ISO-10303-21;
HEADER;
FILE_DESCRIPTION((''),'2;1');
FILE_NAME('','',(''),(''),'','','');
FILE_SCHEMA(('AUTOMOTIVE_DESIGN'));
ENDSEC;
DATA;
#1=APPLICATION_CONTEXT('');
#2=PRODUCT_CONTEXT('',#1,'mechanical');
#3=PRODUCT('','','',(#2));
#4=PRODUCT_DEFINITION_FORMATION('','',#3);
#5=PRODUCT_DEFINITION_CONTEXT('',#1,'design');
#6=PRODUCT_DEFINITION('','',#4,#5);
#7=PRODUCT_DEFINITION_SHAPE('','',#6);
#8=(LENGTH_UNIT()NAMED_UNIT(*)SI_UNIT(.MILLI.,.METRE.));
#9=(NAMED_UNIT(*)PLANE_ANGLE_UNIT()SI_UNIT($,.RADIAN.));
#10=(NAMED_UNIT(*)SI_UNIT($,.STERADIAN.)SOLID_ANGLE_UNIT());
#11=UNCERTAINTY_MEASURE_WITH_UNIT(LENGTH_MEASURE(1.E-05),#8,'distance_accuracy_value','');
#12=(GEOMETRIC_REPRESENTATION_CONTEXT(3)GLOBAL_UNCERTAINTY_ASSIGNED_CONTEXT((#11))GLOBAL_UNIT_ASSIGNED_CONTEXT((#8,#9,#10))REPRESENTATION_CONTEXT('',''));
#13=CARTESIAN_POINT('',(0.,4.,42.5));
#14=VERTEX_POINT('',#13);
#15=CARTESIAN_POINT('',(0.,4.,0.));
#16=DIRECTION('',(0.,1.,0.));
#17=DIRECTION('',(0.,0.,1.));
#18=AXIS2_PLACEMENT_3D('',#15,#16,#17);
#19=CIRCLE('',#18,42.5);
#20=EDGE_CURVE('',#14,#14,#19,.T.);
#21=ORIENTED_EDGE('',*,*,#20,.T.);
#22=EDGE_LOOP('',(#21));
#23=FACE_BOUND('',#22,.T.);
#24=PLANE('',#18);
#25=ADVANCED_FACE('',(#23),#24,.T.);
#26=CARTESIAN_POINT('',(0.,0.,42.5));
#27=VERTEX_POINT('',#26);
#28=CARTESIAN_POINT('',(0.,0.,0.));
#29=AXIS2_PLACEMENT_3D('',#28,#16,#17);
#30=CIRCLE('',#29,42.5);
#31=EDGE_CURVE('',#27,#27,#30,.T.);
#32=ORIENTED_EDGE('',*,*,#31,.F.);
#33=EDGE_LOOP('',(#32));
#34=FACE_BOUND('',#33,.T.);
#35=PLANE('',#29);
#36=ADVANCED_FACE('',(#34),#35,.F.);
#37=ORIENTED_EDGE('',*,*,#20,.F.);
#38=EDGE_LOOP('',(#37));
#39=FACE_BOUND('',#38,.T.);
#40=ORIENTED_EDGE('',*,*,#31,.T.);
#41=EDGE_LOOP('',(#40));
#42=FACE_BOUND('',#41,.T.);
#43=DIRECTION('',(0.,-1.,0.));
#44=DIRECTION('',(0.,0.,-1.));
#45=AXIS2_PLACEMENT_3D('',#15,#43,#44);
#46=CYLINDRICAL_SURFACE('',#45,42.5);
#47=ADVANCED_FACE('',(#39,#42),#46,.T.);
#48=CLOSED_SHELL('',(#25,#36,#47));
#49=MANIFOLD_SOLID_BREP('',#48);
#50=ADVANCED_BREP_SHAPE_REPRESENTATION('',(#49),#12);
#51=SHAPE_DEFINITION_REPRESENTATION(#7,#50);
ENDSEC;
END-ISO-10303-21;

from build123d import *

# Parameters (mm, degrees)
SKETCH_1_R      = 42.5
EXTRUDE_1_DEPTH = 4


with BuildPart() as part:
    # Эскиз1 → Вытянуть1 (new body)
    with BuildSketch(Plane(origin=(0, 0, 0), x_dir=(1, 0, 0), z_dir=(0, 1, 0))):
        with Locations(Location((0, 0, 0), (0, 0, 270))):
            Circle(SKETCH_1_R)
    extrude(amount=EXTRUDE_1_DEPTH)


solid = part.part
